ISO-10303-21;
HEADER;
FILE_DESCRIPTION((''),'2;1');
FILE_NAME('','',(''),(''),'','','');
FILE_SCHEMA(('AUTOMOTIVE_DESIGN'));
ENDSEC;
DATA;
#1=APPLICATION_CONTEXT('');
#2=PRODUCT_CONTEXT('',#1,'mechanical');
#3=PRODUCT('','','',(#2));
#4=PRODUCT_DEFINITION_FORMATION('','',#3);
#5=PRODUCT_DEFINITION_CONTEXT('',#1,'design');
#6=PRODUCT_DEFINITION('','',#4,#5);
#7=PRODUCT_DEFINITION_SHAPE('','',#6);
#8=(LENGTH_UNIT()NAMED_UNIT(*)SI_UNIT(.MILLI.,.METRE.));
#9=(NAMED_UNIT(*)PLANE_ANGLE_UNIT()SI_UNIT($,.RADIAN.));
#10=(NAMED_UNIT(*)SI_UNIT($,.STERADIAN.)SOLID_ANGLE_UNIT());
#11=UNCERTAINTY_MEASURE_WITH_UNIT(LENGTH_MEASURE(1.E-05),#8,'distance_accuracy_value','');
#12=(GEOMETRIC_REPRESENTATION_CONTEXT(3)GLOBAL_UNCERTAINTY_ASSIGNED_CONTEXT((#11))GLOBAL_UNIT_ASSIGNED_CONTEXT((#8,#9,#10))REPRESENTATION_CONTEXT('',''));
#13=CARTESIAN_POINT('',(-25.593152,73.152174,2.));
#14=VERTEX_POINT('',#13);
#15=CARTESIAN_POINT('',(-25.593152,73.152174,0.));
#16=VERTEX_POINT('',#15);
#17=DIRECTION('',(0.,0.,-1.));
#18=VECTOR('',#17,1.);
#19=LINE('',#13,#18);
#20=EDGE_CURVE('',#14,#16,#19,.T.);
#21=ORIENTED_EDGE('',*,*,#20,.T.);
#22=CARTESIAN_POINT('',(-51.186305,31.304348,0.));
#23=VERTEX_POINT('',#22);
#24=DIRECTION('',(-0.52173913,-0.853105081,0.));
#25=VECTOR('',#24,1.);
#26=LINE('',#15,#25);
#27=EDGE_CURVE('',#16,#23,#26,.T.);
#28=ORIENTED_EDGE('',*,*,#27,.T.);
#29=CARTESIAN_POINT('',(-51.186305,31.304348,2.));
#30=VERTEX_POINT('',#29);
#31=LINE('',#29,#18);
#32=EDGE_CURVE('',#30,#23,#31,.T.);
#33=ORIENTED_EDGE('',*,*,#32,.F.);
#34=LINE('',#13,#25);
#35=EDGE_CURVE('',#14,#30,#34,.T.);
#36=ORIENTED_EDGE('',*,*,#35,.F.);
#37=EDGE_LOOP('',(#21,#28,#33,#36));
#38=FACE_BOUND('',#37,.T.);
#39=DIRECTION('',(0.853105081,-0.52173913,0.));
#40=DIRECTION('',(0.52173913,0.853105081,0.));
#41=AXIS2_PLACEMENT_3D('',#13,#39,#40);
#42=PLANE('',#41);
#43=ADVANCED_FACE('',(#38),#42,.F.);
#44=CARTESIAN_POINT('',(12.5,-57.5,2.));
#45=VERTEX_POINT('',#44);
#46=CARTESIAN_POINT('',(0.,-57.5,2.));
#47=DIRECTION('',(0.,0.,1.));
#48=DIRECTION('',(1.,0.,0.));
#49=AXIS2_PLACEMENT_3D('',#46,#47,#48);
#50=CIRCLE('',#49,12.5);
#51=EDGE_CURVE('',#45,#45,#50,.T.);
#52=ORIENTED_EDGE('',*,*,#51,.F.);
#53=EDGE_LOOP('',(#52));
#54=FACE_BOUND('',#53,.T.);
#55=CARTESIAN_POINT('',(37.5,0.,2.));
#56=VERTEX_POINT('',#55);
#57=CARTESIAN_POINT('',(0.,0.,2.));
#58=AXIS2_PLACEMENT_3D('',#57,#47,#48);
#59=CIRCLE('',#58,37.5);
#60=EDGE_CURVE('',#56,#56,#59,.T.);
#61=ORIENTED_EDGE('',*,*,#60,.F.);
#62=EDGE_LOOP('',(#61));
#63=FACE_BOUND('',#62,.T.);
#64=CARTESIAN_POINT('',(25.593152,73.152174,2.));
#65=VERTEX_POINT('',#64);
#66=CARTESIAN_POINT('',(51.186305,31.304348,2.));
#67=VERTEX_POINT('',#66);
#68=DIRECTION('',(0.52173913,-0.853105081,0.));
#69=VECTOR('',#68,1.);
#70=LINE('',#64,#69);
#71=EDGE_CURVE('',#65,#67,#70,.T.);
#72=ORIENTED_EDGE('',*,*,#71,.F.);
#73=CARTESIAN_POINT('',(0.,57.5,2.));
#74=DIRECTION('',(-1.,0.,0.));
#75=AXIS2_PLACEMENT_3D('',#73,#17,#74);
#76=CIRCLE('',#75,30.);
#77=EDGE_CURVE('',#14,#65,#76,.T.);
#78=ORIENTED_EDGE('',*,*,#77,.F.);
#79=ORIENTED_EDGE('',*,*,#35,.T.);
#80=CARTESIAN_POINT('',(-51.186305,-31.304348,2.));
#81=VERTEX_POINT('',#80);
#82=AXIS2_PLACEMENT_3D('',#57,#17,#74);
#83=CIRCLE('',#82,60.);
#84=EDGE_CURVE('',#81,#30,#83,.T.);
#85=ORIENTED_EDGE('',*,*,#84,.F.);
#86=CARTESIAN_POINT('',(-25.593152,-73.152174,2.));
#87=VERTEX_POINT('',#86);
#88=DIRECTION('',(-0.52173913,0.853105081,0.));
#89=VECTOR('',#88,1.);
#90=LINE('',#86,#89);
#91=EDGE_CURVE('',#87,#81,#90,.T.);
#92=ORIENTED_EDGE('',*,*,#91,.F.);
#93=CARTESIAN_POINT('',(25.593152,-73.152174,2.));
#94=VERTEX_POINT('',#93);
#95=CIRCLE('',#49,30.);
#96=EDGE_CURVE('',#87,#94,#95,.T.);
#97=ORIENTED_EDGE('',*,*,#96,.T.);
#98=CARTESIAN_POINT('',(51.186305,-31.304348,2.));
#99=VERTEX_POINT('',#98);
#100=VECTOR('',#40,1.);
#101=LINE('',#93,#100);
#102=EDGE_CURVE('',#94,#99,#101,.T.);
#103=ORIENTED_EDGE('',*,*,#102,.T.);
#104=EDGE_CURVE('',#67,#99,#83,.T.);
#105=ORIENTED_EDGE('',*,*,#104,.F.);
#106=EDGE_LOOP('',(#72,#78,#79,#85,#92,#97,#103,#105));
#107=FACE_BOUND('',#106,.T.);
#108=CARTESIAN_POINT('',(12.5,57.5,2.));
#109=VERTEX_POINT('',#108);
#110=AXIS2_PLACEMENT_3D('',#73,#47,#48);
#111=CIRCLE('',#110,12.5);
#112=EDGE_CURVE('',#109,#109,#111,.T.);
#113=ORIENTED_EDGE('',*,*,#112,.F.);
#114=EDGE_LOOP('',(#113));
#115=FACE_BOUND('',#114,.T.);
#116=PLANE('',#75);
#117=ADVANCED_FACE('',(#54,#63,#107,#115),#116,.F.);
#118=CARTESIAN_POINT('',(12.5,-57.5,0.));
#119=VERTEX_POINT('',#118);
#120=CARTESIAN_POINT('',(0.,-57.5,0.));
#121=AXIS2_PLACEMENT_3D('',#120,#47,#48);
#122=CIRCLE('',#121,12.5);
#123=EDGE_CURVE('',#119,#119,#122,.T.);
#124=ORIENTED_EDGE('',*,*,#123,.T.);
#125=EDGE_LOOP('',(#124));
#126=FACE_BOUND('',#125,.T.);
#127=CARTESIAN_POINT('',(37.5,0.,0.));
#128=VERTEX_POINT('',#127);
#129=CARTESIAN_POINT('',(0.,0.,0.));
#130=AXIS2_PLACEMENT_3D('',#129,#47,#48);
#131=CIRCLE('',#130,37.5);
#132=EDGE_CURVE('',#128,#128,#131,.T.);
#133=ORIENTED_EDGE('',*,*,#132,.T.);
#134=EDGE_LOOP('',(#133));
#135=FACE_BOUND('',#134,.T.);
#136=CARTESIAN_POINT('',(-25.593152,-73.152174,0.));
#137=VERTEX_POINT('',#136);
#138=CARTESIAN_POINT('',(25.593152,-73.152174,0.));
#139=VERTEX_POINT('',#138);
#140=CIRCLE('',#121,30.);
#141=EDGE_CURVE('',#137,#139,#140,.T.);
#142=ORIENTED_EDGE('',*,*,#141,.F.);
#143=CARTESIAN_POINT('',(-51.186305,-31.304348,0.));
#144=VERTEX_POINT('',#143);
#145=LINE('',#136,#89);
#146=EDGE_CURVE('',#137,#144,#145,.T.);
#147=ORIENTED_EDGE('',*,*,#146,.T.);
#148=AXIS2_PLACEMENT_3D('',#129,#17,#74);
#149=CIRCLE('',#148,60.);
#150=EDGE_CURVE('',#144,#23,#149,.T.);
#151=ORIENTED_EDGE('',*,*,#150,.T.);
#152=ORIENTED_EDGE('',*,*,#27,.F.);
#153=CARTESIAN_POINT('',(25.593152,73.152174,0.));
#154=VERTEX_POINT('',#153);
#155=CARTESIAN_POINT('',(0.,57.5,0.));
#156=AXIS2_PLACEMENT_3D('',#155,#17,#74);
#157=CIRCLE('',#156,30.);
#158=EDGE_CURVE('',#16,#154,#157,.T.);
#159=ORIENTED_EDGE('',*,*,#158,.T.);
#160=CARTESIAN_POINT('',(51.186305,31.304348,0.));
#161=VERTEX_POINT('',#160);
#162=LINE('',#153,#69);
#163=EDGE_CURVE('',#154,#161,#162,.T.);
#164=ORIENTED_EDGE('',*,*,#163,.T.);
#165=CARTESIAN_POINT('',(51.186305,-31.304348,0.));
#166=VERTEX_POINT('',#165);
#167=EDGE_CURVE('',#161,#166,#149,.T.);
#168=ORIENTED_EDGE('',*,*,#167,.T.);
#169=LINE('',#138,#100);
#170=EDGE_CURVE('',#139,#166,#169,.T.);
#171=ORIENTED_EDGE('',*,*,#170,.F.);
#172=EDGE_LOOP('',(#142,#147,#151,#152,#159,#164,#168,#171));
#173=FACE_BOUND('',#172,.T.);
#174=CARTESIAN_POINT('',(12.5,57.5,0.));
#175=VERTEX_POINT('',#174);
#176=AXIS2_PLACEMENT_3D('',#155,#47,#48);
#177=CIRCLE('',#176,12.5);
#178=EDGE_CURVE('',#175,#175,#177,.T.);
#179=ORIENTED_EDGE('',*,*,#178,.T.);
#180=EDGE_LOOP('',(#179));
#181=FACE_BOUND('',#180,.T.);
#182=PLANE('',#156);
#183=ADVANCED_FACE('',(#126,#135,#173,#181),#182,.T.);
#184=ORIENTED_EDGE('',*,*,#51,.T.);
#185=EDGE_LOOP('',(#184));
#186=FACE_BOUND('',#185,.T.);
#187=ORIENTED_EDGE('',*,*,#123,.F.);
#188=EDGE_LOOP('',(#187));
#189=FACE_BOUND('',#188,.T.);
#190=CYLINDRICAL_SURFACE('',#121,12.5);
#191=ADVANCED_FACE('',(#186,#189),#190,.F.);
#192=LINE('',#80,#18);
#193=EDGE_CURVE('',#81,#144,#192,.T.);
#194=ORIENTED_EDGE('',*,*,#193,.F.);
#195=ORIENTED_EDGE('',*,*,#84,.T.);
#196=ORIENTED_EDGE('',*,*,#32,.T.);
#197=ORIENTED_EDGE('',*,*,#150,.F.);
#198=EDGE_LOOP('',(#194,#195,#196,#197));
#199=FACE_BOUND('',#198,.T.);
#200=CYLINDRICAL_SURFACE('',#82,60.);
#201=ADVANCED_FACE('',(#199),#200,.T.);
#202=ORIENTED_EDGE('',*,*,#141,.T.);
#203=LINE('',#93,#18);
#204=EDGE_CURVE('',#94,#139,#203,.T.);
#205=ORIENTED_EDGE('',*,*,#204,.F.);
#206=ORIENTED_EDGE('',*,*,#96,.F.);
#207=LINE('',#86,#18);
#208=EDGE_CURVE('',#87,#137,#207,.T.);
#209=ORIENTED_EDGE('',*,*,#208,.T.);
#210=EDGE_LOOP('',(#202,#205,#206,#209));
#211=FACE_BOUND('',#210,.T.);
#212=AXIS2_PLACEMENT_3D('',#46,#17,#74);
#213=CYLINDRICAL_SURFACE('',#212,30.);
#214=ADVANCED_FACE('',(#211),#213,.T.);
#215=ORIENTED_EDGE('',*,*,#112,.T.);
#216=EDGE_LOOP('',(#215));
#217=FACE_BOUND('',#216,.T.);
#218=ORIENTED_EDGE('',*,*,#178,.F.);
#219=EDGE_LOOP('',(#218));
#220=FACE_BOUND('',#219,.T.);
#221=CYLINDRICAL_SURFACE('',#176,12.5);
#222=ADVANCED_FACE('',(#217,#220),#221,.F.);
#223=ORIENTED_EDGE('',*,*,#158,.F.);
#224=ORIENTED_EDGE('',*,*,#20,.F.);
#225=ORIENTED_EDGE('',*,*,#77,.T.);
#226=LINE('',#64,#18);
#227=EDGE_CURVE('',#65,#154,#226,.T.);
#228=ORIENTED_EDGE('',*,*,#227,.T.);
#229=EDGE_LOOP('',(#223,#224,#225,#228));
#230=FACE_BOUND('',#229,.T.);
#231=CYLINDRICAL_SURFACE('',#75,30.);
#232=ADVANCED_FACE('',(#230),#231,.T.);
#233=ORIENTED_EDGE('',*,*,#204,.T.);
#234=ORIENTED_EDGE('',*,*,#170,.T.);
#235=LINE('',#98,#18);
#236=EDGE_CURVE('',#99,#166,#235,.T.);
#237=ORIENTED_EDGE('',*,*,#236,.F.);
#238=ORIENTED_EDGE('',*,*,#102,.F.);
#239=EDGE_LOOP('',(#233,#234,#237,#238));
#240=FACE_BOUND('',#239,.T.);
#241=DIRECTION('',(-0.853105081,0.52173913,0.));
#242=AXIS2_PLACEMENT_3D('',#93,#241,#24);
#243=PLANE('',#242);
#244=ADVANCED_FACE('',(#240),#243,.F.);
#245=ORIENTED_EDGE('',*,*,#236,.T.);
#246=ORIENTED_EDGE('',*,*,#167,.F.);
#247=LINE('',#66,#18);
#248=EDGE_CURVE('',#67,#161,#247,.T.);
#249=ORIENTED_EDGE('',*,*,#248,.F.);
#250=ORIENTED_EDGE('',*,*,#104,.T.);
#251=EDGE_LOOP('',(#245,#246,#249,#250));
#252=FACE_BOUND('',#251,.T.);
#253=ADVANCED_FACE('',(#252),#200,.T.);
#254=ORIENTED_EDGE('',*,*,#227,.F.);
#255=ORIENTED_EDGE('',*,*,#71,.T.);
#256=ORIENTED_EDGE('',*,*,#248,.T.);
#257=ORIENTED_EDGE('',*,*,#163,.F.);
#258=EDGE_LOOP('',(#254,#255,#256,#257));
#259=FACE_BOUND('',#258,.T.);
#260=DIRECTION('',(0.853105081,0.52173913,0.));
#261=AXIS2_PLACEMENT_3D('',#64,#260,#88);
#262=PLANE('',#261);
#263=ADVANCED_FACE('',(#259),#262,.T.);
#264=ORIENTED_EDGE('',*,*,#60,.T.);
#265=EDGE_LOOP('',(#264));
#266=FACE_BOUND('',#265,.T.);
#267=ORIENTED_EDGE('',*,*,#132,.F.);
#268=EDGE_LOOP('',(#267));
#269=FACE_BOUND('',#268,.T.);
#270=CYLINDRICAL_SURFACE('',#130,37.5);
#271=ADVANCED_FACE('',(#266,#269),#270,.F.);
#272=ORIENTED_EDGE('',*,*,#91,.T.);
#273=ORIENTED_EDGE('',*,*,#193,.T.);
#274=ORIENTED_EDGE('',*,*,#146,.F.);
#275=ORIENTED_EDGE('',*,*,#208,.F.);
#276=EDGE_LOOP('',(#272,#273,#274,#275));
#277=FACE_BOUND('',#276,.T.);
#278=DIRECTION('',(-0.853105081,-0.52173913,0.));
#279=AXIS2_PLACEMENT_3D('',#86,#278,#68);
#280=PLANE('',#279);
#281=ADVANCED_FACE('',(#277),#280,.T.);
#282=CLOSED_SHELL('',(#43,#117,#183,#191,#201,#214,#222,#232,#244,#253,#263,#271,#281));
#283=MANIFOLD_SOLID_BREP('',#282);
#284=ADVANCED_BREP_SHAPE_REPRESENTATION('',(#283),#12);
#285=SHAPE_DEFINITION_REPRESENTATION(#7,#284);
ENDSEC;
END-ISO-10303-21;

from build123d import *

# Parameters (mm, degrees)
MAIN_DEPTH  = 2
SKETCH2_R   = 12.5
SKETCH2_R_2 = 37.5
HOLES_DEPTH = 107.11432514


with BuildPart() as part:
    # Sketch1 → Main (new body)
    with BuildSketch(Plane.XY):
        with BuildLine():
            Line((25.59315244, 73.152173913), (51.186304879, 31.304347826))
            ThreePointArc((51.186304879, 31.304347826), (60, 0), (51.186304879, -31.304347826))
            Line((51.186304879, -31.304347826), (25.59315244, -73.152173913))
            ThreePointArc((25.59315244, -73.152173913), (0, -87.5), (-25.59315244, -73.152173913))
            Line((-25.59315244, -73.152173913), (-51.186304879, -31.304347826))
            ThreePointArc((-51.186304879, -31.304347826), (-60, 0), (-51.186304879, 31.304347826))
            Line((-51.186304879, 31.304347826), (-25.59315244, 73.152173913))
            ThreePointArc((-25.59315244, 73.152173913), (0, 87.5), (25.59315244, 73.152173913))
        make_face()
    extrude(amount=MAIN_DEPTH)

    # Sketch2 → Holes (cut, through all)
    with BuildSketch(Plane.XY.offset(2)):
        with Locations((0, 57.5)):
            Circle(SKETCH2_R)
        with Locations((0, -57.5)):
            Circle(SKETCH2_R)
        Circle(SKETCH2_R_2)
    extrude(amount=-HOLES_DEPTH, mode=Mode.SUBTRACT)


solid = part.part
